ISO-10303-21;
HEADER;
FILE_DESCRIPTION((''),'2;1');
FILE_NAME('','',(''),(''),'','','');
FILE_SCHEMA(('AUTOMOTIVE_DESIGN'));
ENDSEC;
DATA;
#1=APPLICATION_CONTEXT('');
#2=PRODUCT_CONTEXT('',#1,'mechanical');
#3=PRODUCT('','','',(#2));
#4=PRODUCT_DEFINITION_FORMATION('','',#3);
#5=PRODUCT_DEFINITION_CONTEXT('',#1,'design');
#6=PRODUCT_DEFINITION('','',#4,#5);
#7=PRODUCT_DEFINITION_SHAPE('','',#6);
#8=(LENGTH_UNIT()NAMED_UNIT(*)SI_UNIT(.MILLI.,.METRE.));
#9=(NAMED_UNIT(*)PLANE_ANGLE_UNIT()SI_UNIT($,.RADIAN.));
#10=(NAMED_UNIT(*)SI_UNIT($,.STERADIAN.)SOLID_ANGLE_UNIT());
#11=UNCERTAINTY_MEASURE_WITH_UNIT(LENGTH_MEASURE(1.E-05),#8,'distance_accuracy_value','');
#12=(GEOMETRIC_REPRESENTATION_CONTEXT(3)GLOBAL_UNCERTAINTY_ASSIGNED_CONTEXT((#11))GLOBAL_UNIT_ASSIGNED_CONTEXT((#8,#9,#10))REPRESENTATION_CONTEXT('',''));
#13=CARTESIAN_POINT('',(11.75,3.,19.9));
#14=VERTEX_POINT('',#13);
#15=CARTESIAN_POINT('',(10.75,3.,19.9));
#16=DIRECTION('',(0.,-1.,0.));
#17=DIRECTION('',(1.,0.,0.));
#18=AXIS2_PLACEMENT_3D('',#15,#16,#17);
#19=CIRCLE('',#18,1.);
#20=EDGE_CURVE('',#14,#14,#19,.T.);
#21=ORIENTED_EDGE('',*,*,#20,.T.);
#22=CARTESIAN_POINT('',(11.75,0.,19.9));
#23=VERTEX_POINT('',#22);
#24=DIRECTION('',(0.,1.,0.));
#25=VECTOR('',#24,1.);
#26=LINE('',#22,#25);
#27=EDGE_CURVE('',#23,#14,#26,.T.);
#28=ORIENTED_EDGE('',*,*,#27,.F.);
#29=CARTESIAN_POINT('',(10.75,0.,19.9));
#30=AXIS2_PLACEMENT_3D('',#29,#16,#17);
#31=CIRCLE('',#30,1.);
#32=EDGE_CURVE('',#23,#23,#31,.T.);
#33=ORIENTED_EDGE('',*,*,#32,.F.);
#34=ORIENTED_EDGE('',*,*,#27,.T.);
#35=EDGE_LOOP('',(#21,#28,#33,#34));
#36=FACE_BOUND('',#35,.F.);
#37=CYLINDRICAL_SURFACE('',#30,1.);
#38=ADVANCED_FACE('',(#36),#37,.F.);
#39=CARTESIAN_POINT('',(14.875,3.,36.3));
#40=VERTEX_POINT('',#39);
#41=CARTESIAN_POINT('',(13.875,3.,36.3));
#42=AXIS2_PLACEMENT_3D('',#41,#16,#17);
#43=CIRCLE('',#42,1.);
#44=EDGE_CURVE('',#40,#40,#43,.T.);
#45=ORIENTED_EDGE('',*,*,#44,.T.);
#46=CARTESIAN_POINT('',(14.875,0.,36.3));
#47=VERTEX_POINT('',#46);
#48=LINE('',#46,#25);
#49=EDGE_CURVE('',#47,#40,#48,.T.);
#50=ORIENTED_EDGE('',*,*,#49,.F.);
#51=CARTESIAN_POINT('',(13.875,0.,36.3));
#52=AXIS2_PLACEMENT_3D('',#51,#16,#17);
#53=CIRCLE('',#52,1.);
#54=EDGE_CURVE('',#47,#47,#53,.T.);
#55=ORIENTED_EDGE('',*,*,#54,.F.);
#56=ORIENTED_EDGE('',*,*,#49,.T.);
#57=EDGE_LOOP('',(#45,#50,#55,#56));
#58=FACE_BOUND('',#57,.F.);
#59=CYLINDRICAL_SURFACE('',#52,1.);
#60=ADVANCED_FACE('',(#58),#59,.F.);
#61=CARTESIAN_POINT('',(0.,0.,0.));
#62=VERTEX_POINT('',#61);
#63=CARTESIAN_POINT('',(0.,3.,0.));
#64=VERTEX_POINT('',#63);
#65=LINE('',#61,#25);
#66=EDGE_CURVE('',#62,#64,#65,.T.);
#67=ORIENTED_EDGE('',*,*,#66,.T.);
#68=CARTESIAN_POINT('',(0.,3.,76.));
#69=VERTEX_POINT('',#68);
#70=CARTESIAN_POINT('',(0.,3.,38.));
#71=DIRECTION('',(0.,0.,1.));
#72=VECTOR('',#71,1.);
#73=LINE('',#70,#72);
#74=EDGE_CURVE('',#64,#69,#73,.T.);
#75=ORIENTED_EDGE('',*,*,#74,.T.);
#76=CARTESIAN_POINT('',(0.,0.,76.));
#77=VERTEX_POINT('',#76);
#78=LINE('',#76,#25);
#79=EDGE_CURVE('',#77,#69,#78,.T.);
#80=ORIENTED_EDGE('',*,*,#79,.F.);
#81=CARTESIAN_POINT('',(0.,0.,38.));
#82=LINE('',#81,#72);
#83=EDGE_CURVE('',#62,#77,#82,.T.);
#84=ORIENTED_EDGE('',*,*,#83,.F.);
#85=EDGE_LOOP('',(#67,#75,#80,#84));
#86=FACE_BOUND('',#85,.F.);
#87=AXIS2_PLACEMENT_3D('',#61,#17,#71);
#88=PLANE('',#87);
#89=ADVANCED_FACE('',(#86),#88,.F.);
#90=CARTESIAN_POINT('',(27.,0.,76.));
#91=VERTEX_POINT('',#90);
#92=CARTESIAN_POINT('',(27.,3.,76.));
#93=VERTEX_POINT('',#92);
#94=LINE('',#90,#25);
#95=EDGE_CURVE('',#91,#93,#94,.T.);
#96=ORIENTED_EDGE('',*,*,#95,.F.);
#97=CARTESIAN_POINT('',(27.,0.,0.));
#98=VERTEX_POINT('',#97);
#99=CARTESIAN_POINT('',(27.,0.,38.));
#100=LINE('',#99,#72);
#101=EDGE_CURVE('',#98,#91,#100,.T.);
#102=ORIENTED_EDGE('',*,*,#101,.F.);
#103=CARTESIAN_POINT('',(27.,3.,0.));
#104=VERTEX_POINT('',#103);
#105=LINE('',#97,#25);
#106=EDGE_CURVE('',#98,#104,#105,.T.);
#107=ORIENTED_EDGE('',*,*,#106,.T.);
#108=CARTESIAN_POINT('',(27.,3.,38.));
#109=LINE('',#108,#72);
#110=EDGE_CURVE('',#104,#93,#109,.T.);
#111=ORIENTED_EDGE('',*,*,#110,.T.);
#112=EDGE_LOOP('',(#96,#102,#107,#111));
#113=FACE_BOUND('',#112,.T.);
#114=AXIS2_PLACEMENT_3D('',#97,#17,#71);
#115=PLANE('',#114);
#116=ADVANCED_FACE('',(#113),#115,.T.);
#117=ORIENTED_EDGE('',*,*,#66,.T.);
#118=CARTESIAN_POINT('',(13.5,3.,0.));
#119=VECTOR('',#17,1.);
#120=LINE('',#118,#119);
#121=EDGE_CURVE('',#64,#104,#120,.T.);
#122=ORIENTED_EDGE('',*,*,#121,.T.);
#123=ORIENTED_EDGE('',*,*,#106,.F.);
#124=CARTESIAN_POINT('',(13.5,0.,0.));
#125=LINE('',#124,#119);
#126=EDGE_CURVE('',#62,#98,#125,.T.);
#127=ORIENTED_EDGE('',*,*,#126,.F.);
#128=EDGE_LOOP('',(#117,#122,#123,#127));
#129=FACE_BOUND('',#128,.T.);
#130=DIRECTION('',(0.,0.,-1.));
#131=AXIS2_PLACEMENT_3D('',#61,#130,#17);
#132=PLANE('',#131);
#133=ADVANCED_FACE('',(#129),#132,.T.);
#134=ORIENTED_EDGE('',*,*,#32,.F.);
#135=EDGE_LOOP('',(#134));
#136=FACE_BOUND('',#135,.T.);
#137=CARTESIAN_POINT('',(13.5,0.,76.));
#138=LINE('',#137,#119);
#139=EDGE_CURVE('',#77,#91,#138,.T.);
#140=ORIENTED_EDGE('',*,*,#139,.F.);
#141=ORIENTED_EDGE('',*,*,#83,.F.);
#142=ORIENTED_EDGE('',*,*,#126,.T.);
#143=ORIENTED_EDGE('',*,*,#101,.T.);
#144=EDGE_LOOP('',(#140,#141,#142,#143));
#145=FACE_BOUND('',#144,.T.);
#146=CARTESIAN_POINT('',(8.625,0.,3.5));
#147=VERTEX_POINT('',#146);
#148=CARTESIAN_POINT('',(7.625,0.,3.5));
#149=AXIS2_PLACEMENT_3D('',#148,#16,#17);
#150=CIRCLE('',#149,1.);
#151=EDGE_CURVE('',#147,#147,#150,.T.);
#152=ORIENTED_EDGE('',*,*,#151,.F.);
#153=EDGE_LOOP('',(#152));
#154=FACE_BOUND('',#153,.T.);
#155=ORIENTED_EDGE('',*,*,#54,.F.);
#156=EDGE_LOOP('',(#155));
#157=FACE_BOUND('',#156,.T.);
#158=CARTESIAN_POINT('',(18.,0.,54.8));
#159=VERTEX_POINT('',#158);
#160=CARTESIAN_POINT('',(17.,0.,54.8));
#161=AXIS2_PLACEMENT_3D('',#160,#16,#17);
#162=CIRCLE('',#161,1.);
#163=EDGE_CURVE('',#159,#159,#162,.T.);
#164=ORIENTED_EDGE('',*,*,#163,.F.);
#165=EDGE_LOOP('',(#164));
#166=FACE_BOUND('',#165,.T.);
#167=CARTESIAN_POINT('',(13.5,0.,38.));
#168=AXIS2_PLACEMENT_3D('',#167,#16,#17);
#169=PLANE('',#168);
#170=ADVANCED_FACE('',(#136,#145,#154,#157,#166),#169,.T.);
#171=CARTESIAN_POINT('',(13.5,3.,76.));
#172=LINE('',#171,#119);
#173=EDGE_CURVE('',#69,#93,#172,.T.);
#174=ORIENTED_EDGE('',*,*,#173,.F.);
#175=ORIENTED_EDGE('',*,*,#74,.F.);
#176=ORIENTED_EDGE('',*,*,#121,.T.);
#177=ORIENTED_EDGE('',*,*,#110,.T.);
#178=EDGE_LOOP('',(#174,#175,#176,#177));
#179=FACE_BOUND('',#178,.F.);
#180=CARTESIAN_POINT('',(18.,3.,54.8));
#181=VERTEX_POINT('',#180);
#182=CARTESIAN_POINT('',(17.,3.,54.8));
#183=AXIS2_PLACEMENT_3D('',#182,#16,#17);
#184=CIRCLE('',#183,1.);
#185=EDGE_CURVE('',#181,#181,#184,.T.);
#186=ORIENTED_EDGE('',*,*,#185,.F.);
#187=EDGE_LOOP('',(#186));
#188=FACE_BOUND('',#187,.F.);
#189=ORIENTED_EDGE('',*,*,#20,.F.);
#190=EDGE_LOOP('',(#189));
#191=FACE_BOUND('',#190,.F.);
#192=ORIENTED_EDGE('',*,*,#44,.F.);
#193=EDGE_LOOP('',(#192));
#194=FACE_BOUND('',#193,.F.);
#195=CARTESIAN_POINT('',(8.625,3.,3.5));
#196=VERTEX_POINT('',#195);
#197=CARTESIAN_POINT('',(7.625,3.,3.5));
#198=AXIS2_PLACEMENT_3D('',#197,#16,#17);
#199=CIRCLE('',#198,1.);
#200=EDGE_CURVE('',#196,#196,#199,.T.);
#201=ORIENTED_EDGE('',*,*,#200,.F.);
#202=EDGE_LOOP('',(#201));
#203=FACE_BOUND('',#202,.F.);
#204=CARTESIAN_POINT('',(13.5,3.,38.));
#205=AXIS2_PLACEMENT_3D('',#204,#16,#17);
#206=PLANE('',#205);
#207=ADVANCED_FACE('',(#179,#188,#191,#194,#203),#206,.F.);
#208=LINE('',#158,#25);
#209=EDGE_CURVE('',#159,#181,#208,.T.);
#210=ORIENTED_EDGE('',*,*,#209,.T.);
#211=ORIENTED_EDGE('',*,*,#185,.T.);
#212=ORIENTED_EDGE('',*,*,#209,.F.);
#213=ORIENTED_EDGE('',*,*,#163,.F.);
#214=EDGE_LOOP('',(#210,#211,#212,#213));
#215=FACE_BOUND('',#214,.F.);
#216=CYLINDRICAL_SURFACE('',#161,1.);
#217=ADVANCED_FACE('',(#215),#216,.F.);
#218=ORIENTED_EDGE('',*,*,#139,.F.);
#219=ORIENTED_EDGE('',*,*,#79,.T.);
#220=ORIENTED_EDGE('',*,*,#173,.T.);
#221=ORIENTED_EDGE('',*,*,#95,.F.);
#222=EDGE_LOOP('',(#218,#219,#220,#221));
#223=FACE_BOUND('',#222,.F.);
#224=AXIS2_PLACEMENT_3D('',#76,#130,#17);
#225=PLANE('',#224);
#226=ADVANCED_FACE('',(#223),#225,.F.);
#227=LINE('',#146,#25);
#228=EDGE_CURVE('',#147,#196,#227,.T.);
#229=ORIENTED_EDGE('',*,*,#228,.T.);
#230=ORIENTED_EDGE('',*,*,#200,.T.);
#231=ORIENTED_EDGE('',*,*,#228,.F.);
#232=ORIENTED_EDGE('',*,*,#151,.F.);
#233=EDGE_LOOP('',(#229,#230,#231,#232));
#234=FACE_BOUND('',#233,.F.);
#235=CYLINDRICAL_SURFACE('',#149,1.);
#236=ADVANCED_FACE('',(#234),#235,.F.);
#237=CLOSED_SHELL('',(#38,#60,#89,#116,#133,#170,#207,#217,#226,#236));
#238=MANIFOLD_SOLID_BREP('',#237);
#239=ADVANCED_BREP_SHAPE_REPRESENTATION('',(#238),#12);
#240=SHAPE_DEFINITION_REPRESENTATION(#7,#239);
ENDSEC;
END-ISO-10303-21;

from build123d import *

# Parameters (mm, degrees)
F0_W     = 27
F0_H     = 76
F1_DEPTH = 3
F2_R     = 1
F3_DEPTH = 3


with BuildPart() as f1:
    # F0 (on Front) → F1 (new body)
    with BuildSketch(Plane.XZ):
        with Locations((13.5, 38)):
            Rectangle(F0_W, F0_H)
    extrude(amount=-F1_DEPTH)

    # F2 (on face) → F3 (cut)
    with BuildSketch(Plane.XZ):
        with Locations((17, 54.8)):
            Circle(F2_R)
        with Locations((13.875, 36.3)):
            Circle(F2_R)
        with Locations((10.75, 19.9)):
            Circle(F2_R)
        with Locations((7.625, 3.5)):
            Circle(F2_R)
    extrude(amount=-F3_DEPTH, mode=Mode.SUBTRACT)


solid = f1.part
